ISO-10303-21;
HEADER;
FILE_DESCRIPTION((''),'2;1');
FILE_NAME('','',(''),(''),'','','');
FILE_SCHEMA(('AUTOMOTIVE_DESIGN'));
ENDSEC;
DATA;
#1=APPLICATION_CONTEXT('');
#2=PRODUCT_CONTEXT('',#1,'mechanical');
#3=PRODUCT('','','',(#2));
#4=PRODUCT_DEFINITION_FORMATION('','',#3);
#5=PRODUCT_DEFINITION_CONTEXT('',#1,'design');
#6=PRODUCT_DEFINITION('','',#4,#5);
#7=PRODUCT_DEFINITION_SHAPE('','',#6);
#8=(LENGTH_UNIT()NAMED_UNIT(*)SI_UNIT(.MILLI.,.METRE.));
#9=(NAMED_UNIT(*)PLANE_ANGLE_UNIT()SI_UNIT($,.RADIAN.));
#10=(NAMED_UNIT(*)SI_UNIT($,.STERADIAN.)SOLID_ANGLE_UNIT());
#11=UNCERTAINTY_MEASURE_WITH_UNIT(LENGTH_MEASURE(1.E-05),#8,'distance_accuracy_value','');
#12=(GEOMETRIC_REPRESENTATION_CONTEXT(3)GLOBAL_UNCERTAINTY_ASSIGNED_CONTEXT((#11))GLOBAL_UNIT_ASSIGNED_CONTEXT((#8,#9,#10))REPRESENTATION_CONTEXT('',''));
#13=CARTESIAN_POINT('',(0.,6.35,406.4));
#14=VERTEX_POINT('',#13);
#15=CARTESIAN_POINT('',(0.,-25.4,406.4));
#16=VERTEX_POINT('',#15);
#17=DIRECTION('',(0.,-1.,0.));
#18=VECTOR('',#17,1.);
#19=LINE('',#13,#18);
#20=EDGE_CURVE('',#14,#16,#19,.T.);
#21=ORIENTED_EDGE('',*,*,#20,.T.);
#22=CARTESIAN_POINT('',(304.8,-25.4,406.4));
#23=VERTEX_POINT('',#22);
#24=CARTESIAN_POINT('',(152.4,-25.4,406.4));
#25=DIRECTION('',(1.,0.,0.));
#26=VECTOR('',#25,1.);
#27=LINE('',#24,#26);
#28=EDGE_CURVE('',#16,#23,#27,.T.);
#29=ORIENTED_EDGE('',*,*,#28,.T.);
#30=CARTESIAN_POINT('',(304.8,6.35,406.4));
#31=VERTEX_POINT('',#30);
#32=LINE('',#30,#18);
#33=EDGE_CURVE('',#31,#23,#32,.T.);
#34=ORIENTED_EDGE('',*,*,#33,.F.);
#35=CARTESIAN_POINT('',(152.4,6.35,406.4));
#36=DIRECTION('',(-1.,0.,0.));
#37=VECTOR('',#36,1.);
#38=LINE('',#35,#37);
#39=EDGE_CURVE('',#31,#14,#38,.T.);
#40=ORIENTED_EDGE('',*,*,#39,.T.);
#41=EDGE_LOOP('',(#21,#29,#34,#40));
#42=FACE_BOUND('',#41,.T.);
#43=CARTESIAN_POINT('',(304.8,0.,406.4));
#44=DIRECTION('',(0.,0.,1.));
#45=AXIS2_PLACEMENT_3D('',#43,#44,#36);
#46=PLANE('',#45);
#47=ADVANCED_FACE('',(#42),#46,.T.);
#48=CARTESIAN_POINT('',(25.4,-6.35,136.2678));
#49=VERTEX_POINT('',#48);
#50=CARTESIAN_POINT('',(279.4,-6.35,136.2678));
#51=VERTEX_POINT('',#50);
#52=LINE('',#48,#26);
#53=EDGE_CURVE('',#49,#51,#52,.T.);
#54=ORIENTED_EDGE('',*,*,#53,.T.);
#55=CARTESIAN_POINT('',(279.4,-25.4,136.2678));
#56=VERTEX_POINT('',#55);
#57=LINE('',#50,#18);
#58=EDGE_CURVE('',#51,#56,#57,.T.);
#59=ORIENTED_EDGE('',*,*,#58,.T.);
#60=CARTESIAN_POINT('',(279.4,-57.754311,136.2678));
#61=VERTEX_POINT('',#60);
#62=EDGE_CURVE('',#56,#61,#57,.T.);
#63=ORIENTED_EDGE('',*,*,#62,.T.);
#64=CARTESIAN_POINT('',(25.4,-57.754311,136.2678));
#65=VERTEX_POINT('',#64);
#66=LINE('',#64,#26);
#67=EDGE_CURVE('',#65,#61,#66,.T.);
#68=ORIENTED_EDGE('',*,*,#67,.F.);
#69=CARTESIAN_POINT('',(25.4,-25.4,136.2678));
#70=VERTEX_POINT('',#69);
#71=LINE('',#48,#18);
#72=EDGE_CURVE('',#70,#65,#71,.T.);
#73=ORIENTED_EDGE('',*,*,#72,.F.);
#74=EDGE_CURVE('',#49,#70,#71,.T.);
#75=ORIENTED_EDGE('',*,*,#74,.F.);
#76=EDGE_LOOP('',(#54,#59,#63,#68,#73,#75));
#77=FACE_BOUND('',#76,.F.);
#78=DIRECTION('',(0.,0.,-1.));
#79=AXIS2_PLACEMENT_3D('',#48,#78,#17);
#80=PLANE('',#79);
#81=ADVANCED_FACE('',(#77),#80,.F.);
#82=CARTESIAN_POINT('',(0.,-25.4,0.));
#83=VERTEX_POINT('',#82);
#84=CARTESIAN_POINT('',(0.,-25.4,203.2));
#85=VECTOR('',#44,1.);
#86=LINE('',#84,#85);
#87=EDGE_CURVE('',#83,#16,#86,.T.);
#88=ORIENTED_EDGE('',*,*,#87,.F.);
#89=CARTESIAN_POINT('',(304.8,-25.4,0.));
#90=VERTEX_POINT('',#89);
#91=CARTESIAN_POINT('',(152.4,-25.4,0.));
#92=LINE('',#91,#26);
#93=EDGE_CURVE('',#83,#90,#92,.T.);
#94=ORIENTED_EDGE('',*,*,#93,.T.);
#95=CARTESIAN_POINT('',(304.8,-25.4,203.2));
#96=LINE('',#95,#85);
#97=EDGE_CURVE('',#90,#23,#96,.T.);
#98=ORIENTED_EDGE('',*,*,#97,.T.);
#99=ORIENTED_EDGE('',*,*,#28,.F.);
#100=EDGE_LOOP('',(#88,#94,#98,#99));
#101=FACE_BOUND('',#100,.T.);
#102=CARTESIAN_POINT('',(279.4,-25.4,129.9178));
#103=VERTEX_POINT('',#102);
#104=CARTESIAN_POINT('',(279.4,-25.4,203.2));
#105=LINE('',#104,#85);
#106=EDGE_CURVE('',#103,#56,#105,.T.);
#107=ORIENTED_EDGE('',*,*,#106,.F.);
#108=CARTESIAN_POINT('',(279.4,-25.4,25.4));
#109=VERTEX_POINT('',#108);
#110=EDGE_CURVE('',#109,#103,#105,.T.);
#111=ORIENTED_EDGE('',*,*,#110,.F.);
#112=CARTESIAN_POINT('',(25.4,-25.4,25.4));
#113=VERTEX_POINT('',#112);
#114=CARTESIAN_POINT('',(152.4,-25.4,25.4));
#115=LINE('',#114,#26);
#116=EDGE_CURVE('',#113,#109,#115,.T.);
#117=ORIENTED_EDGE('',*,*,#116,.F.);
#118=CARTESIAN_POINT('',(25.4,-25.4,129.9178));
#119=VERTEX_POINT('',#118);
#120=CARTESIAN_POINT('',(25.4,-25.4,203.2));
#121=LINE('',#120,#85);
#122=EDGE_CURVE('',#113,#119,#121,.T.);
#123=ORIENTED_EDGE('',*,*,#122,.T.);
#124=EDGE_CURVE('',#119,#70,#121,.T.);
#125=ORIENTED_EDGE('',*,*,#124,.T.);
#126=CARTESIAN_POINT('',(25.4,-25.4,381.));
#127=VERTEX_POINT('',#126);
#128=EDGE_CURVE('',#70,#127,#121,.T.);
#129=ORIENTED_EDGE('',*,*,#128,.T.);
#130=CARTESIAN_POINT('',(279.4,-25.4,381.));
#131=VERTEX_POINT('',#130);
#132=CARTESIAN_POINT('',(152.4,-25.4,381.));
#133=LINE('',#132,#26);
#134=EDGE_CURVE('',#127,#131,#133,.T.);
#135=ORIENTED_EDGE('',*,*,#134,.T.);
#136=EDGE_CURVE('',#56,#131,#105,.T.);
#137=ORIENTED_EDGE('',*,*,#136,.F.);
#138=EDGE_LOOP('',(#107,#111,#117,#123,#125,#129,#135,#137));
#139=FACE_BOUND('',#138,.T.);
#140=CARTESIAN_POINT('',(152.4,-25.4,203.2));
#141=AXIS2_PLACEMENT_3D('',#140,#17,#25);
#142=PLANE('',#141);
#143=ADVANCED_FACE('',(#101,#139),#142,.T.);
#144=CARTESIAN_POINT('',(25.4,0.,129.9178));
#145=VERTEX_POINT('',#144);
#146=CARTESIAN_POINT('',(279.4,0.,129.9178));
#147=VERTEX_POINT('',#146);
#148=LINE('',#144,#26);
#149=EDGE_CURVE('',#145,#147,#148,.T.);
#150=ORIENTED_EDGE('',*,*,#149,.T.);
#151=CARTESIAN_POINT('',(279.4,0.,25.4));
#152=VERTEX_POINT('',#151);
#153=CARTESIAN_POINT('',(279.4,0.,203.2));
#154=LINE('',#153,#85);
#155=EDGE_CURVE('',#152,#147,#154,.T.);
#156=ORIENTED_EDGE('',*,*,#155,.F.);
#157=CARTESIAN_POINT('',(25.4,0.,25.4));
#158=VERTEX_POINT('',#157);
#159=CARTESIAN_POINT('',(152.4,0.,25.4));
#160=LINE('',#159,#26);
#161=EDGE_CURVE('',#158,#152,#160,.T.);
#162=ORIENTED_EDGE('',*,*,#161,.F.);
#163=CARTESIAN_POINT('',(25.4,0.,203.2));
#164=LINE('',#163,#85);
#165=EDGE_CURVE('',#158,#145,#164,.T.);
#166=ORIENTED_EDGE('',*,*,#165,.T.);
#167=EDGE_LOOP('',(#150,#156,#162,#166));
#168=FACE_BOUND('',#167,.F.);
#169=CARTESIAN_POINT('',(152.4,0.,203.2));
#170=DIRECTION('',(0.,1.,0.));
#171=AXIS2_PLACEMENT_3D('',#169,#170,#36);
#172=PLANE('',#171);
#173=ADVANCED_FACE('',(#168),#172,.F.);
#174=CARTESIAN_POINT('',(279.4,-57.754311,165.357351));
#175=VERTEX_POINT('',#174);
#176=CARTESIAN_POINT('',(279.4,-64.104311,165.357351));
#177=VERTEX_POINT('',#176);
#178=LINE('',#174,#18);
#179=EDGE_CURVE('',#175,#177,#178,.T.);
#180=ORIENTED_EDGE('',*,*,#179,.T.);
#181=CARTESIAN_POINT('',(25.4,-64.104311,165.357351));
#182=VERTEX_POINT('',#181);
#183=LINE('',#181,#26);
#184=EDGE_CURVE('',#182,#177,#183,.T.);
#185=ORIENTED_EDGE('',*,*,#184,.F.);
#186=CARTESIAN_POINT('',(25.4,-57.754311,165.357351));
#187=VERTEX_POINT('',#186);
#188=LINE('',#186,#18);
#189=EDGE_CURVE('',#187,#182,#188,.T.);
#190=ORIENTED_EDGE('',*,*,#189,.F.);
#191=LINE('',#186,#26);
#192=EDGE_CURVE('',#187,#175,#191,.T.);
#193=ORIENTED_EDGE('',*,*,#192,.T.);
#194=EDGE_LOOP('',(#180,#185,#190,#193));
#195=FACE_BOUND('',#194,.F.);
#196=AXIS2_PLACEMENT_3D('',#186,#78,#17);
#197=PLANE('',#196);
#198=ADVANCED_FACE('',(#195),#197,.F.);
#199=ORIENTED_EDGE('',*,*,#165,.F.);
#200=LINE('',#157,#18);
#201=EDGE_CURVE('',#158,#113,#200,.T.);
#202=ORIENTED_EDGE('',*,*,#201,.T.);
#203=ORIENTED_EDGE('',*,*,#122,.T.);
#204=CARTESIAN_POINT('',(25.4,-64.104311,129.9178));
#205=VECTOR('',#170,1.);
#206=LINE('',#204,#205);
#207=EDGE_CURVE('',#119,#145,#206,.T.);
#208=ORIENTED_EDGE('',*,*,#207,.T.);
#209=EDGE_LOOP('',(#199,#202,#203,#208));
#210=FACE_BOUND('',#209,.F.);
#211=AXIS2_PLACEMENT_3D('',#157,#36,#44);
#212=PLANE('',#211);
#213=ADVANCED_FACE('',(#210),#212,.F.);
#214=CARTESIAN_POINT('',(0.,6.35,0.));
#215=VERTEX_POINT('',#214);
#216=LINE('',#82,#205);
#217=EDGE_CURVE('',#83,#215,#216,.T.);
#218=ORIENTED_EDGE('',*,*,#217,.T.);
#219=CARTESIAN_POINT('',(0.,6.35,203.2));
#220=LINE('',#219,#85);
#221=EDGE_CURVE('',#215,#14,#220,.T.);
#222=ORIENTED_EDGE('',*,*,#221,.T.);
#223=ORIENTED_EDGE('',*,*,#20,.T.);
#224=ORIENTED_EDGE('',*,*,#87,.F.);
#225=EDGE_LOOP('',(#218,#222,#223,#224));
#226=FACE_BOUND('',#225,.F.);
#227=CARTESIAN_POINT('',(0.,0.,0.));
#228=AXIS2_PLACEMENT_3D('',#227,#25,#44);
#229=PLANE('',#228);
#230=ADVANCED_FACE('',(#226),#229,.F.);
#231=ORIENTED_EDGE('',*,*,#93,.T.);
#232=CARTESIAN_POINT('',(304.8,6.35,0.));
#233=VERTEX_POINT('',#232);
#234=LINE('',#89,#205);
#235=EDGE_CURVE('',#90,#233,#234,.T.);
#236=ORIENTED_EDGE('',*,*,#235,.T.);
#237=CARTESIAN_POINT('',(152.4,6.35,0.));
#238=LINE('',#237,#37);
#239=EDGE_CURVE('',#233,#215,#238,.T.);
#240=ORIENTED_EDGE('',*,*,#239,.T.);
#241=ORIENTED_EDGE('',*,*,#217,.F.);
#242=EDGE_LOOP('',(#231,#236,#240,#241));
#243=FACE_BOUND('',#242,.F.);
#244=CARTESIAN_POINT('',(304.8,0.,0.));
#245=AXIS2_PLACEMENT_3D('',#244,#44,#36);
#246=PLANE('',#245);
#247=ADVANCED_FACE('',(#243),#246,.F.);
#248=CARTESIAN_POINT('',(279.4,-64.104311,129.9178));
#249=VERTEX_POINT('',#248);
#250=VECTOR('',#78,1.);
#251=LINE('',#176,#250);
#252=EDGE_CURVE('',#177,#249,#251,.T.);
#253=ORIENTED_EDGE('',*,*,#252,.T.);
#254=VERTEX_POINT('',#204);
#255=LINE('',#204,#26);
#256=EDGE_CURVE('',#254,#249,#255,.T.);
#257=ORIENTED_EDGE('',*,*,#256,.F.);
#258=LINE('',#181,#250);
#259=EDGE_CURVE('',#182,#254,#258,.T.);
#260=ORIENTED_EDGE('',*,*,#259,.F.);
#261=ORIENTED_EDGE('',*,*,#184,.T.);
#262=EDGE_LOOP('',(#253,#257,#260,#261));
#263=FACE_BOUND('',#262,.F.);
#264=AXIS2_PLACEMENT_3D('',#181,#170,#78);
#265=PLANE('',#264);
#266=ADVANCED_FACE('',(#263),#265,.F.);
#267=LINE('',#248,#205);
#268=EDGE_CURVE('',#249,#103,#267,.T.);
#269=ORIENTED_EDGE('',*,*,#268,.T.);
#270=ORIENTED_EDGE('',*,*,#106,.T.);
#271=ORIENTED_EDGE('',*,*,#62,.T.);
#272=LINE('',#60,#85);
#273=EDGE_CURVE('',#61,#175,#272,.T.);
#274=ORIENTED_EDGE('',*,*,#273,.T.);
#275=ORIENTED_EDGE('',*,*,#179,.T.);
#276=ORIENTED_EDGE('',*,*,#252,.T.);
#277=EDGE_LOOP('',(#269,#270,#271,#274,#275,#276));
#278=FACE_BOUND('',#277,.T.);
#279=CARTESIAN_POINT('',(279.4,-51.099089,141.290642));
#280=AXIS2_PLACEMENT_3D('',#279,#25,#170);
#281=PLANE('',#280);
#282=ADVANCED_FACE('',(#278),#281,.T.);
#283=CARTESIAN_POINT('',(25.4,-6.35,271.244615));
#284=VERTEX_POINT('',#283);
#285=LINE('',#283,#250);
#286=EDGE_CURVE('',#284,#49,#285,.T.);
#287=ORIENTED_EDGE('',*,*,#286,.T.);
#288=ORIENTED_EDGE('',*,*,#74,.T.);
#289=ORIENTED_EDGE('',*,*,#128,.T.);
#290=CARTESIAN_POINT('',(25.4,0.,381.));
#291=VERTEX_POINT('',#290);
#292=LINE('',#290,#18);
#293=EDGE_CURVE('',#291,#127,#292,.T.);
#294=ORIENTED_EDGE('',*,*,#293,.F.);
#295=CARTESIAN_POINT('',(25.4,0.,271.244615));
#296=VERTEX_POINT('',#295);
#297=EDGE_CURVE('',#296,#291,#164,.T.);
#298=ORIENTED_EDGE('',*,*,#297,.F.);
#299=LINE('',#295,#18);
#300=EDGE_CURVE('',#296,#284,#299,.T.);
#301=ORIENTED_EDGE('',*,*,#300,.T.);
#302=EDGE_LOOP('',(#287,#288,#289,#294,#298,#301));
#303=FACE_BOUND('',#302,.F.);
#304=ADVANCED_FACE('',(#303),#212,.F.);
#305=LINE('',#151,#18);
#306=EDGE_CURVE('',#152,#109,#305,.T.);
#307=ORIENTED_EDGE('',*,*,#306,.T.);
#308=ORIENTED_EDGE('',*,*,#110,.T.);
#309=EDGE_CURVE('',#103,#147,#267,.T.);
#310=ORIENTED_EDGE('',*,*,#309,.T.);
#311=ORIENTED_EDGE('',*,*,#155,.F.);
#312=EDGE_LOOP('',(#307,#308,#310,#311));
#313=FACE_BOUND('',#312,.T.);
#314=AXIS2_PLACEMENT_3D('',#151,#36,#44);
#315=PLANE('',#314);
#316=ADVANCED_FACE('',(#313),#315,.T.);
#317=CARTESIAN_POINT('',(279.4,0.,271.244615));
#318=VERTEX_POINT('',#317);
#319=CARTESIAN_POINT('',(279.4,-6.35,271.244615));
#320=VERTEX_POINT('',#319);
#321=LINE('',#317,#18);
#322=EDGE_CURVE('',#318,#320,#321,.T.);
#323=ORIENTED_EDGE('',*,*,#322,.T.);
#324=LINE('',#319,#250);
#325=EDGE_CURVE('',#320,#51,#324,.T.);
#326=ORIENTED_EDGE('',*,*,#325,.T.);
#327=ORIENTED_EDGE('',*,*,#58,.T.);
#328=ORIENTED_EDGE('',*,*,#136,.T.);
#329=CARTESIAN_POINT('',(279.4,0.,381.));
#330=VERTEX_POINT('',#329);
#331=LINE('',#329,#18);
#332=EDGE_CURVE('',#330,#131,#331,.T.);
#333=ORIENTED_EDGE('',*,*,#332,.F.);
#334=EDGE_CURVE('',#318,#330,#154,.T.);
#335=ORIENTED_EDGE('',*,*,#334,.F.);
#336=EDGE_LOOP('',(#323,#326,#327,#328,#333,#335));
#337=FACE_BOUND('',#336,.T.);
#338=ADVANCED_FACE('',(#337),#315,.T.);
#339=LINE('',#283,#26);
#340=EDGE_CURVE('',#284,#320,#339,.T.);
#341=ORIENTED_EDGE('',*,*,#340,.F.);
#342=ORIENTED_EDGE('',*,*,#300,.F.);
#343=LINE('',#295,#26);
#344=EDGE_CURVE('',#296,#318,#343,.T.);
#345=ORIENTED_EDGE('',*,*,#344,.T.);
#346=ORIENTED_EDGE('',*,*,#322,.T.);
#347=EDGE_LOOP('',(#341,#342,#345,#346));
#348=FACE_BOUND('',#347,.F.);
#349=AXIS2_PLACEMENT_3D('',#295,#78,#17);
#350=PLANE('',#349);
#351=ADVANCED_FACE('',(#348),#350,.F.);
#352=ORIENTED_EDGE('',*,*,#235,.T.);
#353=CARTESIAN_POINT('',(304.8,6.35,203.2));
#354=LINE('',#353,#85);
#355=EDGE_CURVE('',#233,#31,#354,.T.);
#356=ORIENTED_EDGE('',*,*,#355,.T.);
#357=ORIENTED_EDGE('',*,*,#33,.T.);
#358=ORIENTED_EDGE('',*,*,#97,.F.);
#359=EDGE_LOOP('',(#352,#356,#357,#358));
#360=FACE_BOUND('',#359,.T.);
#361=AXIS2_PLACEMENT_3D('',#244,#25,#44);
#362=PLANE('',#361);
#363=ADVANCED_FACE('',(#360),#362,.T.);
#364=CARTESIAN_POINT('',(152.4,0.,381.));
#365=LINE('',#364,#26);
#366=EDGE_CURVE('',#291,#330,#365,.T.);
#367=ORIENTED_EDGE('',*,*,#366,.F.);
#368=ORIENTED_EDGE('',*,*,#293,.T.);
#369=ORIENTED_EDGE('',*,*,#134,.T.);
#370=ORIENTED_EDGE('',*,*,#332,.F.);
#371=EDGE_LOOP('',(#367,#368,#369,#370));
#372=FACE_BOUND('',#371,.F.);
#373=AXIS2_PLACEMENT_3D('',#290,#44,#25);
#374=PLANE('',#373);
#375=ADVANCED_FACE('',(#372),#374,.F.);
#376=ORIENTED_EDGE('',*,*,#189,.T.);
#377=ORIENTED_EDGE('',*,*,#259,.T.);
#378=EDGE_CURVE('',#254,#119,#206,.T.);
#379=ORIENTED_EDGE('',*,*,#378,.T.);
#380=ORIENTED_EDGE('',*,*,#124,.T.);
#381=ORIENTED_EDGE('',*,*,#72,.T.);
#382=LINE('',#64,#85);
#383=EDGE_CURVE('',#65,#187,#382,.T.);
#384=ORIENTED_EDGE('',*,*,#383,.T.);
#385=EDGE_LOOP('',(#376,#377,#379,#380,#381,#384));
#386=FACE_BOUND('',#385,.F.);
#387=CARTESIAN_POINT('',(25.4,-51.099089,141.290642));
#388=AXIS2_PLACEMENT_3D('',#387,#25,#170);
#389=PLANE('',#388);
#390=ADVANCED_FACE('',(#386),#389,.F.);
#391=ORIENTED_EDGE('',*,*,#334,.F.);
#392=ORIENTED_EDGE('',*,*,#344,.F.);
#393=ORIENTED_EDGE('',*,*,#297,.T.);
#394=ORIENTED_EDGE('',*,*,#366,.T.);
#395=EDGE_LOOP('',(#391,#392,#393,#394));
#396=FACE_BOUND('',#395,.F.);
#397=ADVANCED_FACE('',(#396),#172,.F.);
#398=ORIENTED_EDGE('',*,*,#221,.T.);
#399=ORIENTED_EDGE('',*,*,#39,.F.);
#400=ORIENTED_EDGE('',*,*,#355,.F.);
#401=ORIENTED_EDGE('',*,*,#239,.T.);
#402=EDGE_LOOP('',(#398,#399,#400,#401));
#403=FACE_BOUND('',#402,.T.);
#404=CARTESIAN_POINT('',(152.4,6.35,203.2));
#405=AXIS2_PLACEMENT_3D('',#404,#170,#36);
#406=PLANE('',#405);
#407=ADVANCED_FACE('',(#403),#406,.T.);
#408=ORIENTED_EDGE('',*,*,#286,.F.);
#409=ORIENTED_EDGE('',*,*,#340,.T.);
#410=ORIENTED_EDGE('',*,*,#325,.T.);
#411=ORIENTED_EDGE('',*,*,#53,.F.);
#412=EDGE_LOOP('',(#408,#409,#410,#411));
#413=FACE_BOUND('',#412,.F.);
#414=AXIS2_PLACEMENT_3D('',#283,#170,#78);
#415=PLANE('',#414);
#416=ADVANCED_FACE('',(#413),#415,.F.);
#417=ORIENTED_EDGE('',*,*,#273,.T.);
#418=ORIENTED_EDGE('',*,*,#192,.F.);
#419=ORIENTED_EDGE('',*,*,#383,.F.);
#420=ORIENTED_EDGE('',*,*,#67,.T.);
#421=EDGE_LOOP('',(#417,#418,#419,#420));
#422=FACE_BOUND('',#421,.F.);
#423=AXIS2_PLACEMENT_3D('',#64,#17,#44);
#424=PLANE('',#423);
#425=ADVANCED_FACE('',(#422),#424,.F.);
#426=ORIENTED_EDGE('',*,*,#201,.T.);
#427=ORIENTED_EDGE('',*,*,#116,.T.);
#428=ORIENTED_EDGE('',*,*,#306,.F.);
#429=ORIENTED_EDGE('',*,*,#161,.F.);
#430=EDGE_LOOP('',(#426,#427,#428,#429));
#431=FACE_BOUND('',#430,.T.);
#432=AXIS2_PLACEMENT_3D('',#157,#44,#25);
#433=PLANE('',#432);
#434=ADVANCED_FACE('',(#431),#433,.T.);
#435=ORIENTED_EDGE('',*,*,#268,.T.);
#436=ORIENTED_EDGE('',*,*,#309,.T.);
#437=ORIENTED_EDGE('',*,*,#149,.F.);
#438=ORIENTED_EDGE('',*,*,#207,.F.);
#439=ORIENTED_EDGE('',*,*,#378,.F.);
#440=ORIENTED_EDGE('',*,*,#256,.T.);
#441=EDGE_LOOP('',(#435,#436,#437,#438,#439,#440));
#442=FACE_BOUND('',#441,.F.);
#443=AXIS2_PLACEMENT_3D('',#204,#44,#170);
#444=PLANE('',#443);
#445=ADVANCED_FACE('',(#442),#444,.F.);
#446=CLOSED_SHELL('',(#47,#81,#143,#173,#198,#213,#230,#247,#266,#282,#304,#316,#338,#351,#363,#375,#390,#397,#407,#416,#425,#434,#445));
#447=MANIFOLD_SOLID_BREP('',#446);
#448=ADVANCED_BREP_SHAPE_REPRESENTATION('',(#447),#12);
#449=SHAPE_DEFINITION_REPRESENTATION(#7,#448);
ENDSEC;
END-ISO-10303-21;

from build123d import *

# Parameters (mm, degrees)
F0_W     = 304.8
F0_H     = 406.4
F0_W_2   = 254.0000006139
F0_H_2   = 355.6000006139
F1_DEPTH = 25.4
F2_W     = 304.8
F2_H     = 406.4
F3_DEPTH = 6.35
F5_DEPTH = 254.0000006139


with BuildPart() as f1:
    # F0 (on Front) → F1 (new body)
    with BuildSketch(Plane.XZ):
        with Locations((152.4, 203.2)):
            Rectangle(F0_W, F0_H)
        with Locations((152.4, 203.2)):
            Rectangle(F0_W_2, F0_H_2, mode=Mode.SUBTRACT)
    extrude(amount=F1_DEPTH)

    # F2 (on face) → F3 (join)
    with BuildSketch(Plane(origin=(0, 0, 0), x_dir=(-1, 0, 0), z_dir=(0, 1, 0))):
        with Locations((-152.4, 203.2)):
            Rectangle(F2_W, F2_H)
    extrude(amount=F3_DEPTH)

    # F4 (on face) → F5 (join, through all)
    with BuildSketch(Plane.YZ.offset(25.399999693)):
        Polygon((-64.1043111682, 129.9178004265), (-25.4, 129.9178004265), (-25.4, 136.2678004265), (-57.7543111682, 136.2678004265), (-57.7543111682, 165.3573513031), (-64.1043111682, 165.3573513031), align=None)
        Polygon((0, 129.9178004265), (0, 271.2446153164), (-6.35, 271.2446153164), (-6.35, 136.2678004265), (-25.4, 136.2678004265), (-25.4, 129.9178004265), align=None)
    extrude(amount=F5_DEPTH)


solid = f1.part
